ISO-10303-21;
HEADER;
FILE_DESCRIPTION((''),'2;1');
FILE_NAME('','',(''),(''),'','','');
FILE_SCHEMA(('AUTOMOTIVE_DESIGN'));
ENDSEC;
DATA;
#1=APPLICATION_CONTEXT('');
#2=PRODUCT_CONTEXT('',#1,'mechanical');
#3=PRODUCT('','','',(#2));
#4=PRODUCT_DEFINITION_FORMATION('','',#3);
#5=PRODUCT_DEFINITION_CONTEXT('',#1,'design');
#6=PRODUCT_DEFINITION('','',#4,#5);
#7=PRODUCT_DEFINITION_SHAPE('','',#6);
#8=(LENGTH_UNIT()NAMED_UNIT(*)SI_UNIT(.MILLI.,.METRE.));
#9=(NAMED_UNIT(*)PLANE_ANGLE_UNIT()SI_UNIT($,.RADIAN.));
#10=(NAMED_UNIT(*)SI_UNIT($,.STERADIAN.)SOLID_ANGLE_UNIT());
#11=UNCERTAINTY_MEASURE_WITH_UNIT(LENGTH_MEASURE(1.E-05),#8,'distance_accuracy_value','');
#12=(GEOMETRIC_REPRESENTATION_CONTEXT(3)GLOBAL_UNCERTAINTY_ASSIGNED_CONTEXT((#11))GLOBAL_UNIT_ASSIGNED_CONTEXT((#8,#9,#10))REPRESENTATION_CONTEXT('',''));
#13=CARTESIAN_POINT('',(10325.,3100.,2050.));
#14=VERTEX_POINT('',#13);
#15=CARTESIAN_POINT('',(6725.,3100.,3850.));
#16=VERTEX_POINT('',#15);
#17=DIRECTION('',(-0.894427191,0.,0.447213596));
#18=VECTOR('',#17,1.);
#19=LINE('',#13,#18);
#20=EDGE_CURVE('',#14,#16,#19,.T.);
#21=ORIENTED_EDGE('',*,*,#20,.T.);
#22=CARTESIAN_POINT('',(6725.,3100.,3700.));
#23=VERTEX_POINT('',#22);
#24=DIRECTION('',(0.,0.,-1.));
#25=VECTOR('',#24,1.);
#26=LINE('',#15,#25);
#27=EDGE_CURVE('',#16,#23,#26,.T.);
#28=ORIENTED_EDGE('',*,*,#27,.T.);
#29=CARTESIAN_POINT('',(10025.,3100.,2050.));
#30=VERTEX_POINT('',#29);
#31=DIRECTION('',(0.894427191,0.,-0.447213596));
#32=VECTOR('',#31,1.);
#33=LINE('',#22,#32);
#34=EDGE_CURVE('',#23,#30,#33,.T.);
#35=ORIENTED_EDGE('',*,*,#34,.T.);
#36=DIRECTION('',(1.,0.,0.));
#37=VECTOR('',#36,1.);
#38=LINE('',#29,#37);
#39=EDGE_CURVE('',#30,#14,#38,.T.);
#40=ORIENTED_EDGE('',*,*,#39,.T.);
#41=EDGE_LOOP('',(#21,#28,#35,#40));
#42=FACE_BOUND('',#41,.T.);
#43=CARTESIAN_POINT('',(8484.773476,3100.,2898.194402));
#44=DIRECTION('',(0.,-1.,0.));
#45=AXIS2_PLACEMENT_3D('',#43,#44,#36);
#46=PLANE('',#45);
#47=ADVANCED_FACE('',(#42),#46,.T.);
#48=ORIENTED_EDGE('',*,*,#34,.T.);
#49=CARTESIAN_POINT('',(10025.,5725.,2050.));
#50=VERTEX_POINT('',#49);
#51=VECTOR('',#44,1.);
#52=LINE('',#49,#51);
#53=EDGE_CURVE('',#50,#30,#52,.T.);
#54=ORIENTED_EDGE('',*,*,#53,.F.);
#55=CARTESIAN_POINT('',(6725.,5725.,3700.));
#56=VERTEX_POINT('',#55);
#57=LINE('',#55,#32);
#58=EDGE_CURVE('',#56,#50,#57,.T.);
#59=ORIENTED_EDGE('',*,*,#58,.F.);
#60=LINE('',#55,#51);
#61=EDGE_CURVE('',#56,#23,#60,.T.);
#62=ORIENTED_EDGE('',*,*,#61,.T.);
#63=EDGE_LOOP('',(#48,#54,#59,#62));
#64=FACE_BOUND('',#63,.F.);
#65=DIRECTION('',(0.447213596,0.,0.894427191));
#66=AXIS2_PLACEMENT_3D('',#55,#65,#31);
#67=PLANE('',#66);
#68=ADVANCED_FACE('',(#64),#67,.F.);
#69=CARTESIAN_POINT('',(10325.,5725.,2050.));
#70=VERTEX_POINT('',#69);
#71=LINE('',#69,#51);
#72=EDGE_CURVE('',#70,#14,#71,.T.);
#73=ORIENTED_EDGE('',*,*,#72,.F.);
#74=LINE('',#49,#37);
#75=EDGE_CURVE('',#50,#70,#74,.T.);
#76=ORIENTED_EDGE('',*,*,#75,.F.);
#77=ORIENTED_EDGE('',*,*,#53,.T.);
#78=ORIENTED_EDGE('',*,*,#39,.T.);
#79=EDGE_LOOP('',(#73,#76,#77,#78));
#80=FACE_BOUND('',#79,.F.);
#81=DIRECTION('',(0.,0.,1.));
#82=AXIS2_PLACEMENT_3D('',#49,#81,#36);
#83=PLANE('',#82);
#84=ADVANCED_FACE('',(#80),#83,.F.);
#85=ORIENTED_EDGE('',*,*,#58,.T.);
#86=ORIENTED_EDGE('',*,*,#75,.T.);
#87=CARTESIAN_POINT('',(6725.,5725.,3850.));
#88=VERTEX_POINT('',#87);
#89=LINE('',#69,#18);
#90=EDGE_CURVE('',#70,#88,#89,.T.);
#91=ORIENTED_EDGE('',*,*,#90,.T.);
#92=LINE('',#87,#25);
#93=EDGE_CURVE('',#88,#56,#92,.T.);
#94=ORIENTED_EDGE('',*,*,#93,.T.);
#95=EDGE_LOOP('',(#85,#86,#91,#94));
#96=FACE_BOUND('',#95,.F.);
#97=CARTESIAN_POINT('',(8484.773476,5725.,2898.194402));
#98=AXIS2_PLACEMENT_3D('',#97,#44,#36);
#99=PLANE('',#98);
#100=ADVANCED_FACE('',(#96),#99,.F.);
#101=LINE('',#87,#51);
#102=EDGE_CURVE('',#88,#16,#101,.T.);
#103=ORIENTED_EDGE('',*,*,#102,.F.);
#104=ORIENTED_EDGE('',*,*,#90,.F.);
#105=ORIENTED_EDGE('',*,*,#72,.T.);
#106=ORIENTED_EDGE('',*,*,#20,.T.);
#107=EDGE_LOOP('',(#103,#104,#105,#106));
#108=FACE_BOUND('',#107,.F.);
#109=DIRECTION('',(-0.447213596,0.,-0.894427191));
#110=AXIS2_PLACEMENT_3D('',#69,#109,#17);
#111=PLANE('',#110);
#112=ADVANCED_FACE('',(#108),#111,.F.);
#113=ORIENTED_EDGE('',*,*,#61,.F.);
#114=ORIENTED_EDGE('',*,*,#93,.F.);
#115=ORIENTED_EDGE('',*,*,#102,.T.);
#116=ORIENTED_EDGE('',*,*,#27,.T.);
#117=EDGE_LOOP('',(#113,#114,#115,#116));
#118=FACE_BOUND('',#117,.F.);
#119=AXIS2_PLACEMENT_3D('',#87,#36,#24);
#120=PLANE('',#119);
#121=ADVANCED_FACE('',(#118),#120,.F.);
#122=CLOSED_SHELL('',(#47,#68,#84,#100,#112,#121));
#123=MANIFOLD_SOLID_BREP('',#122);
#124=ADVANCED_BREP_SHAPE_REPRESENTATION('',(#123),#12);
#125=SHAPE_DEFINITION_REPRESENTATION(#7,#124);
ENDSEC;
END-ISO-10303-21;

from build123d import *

# Parameters (mm, degrees)
EXTRUDE_SKETCH010001_DEPTH                     = 2625
EXTRUDE_SKETCH010001_ONTO_SKETCH010_ROLL_ANGLE = 90


with BuildPart() as rampa001:
    # Sketch010 as drawn → Extrude_Sketch010001 (new)
    with BuildSketch(Plane.XY):
        Polygon((6725, 400), (10325, 2200), (10325, 2050), (7025, 400), align=None)
    extrude(amount=-EXTRUDE_SKETCH010001_DEPTH)


with BuildPart() as rampa001_1:
    # Extrude_Sketch010001 onto Sketch010 roll: moved
    add(rampa001.part.rotate(Axis((0, 0, 0), (1, 0, 0)), EXTRUDE_SKETCH010001_ONTO_SKETCH010_ROLL_ANGLE))


with BuildPart() as rampa001_2:
    # Extrude_Sketch010001 onto Sketch010 placement: moved
    add(rampa001_1.part.moved(Location((0, 475, 0))))


with BuildPart() as part_mirroring002:
    # Part__Mirroring002: instance of RAMPA001
    add(rampa001_2.part.mirror(Plane(origin=(0, 3100, 0), x_dir=(1, 0, 0), z_dir=(0, 1, 0))))


with BuildPart() as part_mirroring003:
    # Part__Mirroring003: instance of Part__Mirroring002
    add(part_mirroring002.part.mirror(Plane(origin=(8525, 0, 0), x_dir=(0, -1, 0), z_dir=(1, 0, 0))))


with BuildPart() as part_mirroring003_1:
    # Part__Mirroring003 placement: moved
    add(part_mirroring003.part.moved(Location((0, 0, 1650))))


solid = part_mirroring003_1.part
